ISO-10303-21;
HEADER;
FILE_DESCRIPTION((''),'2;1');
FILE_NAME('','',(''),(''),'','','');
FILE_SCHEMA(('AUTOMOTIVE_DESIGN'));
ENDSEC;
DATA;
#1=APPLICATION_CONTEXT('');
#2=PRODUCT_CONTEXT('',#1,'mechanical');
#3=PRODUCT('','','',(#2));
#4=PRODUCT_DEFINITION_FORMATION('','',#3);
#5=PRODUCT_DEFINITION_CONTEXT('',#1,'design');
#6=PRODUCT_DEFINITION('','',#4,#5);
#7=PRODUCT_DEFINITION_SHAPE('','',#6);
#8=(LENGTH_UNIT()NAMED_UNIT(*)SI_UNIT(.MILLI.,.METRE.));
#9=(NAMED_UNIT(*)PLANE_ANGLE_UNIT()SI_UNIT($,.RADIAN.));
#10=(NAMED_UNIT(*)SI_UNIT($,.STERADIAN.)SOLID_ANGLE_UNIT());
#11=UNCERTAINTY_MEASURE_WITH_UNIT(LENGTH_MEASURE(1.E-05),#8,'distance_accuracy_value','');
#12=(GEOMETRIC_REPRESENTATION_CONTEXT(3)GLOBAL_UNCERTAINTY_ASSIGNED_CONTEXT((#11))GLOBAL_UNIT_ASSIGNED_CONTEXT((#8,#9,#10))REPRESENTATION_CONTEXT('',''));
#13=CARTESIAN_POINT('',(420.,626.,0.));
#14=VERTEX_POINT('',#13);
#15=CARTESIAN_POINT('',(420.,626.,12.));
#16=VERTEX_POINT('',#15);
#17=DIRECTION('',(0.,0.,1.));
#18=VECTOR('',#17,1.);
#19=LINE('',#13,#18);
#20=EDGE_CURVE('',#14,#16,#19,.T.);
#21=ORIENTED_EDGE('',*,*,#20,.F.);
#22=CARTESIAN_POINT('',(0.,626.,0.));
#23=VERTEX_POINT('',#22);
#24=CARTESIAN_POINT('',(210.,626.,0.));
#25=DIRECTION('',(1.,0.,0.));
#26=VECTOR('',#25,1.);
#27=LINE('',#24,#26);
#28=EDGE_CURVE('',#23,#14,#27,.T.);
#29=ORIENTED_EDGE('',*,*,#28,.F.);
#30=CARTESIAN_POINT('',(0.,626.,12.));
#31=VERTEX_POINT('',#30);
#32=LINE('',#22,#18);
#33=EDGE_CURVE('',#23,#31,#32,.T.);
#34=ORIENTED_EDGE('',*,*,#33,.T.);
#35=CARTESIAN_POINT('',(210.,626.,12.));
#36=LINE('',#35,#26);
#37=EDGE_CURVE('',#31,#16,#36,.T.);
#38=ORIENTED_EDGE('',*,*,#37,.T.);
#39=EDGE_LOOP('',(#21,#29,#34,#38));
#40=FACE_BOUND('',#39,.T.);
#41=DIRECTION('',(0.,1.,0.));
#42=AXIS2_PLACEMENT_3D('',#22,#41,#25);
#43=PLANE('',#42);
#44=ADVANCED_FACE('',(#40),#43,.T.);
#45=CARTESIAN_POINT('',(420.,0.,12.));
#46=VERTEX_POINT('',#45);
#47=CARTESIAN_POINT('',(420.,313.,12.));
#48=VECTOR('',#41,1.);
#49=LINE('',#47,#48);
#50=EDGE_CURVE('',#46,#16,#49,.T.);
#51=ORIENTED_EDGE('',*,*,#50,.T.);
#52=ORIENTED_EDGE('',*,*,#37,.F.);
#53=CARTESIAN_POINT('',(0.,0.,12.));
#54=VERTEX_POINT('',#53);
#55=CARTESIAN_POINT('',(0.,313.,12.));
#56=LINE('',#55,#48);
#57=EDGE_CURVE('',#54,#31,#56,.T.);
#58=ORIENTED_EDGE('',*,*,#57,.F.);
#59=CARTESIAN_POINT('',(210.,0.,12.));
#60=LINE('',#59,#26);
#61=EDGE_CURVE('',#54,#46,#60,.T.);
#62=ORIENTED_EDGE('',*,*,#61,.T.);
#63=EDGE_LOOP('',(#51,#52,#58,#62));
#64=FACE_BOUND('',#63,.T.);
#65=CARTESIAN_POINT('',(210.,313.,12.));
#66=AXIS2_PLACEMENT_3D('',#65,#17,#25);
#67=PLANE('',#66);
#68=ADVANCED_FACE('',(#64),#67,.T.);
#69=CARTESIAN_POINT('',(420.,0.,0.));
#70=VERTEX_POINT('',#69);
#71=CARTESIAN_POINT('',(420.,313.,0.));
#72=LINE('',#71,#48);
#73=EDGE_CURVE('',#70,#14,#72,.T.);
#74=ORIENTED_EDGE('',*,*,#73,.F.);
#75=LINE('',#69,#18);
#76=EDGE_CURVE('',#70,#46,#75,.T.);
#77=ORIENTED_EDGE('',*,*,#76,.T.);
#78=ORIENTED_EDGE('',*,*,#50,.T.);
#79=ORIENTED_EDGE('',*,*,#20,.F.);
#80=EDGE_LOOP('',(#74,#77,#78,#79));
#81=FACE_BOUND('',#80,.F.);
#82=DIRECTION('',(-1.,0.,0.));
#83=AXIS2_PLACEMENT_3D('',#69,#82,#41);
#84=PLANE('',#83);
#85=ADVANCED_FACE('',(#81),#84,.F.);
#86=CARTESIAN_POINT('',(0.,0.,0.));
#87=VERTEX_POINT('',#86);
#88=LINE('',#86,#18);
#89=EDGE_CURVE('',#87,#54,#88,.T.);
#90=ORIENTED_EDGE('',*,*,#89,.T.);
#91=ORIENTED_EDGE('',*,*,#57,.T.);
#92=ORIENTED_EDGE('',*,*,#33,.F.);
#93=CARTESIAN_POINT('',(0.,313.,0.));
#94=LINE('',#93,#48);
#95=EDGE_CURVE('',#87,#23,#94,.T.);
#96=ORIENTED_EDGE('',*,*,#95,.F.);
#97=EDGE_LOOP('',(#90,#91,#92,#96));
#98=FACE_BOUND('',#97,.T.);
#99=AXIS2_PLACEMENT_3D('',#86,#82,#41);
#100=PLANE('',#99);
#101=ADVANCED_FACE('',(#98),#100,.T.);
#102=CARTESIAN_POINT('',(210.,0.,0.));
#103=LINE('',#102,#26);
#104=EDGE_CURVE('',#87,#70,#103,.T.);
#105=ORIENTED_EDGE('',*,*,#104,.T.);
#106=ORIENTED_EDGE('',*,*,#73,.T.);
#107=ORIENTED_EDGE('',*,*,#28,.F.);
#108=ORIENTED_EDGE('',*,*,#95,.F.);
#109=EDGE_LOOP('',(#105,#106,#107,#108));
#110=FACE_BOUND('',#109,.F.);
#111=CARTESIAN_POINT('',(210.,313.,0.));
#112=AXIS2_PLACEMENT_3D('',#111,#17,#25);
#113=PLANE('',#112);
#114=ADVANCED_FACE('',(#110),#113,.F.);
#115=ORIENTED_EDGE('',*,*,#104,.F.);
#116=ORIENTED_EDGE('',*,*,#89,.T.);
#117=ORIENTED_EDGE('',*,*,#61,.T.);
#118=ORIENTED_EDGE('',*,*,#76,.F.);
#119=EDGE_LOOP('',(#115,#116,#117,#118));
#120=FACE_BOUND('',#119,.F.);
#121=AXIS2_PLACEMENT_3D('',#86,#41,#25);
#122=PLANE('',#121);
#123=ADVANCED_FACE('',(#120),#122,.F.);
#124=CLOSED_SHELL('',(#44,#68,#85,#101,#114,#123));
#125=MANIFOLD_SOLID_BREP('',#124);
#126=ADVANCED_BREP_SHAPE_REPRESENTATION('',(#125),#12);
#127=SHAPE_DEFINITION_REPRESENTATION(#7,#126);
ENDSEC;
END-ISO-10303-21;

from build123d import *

# Parameters (mm, degrees)
SKETCH_W  = 420
SKETCH_H  = 626
PAD_DEPTH = 12


with BuildPart() as part:
    # Sketch → Pad (new body)
    with BuildSketch(Plane.XY):
        with Locations((210, 313)):
            Rectangle(SKETCH_W, SKETCH_H)
    extrude(amount=PAD_DEPTH)


solid = part.part
